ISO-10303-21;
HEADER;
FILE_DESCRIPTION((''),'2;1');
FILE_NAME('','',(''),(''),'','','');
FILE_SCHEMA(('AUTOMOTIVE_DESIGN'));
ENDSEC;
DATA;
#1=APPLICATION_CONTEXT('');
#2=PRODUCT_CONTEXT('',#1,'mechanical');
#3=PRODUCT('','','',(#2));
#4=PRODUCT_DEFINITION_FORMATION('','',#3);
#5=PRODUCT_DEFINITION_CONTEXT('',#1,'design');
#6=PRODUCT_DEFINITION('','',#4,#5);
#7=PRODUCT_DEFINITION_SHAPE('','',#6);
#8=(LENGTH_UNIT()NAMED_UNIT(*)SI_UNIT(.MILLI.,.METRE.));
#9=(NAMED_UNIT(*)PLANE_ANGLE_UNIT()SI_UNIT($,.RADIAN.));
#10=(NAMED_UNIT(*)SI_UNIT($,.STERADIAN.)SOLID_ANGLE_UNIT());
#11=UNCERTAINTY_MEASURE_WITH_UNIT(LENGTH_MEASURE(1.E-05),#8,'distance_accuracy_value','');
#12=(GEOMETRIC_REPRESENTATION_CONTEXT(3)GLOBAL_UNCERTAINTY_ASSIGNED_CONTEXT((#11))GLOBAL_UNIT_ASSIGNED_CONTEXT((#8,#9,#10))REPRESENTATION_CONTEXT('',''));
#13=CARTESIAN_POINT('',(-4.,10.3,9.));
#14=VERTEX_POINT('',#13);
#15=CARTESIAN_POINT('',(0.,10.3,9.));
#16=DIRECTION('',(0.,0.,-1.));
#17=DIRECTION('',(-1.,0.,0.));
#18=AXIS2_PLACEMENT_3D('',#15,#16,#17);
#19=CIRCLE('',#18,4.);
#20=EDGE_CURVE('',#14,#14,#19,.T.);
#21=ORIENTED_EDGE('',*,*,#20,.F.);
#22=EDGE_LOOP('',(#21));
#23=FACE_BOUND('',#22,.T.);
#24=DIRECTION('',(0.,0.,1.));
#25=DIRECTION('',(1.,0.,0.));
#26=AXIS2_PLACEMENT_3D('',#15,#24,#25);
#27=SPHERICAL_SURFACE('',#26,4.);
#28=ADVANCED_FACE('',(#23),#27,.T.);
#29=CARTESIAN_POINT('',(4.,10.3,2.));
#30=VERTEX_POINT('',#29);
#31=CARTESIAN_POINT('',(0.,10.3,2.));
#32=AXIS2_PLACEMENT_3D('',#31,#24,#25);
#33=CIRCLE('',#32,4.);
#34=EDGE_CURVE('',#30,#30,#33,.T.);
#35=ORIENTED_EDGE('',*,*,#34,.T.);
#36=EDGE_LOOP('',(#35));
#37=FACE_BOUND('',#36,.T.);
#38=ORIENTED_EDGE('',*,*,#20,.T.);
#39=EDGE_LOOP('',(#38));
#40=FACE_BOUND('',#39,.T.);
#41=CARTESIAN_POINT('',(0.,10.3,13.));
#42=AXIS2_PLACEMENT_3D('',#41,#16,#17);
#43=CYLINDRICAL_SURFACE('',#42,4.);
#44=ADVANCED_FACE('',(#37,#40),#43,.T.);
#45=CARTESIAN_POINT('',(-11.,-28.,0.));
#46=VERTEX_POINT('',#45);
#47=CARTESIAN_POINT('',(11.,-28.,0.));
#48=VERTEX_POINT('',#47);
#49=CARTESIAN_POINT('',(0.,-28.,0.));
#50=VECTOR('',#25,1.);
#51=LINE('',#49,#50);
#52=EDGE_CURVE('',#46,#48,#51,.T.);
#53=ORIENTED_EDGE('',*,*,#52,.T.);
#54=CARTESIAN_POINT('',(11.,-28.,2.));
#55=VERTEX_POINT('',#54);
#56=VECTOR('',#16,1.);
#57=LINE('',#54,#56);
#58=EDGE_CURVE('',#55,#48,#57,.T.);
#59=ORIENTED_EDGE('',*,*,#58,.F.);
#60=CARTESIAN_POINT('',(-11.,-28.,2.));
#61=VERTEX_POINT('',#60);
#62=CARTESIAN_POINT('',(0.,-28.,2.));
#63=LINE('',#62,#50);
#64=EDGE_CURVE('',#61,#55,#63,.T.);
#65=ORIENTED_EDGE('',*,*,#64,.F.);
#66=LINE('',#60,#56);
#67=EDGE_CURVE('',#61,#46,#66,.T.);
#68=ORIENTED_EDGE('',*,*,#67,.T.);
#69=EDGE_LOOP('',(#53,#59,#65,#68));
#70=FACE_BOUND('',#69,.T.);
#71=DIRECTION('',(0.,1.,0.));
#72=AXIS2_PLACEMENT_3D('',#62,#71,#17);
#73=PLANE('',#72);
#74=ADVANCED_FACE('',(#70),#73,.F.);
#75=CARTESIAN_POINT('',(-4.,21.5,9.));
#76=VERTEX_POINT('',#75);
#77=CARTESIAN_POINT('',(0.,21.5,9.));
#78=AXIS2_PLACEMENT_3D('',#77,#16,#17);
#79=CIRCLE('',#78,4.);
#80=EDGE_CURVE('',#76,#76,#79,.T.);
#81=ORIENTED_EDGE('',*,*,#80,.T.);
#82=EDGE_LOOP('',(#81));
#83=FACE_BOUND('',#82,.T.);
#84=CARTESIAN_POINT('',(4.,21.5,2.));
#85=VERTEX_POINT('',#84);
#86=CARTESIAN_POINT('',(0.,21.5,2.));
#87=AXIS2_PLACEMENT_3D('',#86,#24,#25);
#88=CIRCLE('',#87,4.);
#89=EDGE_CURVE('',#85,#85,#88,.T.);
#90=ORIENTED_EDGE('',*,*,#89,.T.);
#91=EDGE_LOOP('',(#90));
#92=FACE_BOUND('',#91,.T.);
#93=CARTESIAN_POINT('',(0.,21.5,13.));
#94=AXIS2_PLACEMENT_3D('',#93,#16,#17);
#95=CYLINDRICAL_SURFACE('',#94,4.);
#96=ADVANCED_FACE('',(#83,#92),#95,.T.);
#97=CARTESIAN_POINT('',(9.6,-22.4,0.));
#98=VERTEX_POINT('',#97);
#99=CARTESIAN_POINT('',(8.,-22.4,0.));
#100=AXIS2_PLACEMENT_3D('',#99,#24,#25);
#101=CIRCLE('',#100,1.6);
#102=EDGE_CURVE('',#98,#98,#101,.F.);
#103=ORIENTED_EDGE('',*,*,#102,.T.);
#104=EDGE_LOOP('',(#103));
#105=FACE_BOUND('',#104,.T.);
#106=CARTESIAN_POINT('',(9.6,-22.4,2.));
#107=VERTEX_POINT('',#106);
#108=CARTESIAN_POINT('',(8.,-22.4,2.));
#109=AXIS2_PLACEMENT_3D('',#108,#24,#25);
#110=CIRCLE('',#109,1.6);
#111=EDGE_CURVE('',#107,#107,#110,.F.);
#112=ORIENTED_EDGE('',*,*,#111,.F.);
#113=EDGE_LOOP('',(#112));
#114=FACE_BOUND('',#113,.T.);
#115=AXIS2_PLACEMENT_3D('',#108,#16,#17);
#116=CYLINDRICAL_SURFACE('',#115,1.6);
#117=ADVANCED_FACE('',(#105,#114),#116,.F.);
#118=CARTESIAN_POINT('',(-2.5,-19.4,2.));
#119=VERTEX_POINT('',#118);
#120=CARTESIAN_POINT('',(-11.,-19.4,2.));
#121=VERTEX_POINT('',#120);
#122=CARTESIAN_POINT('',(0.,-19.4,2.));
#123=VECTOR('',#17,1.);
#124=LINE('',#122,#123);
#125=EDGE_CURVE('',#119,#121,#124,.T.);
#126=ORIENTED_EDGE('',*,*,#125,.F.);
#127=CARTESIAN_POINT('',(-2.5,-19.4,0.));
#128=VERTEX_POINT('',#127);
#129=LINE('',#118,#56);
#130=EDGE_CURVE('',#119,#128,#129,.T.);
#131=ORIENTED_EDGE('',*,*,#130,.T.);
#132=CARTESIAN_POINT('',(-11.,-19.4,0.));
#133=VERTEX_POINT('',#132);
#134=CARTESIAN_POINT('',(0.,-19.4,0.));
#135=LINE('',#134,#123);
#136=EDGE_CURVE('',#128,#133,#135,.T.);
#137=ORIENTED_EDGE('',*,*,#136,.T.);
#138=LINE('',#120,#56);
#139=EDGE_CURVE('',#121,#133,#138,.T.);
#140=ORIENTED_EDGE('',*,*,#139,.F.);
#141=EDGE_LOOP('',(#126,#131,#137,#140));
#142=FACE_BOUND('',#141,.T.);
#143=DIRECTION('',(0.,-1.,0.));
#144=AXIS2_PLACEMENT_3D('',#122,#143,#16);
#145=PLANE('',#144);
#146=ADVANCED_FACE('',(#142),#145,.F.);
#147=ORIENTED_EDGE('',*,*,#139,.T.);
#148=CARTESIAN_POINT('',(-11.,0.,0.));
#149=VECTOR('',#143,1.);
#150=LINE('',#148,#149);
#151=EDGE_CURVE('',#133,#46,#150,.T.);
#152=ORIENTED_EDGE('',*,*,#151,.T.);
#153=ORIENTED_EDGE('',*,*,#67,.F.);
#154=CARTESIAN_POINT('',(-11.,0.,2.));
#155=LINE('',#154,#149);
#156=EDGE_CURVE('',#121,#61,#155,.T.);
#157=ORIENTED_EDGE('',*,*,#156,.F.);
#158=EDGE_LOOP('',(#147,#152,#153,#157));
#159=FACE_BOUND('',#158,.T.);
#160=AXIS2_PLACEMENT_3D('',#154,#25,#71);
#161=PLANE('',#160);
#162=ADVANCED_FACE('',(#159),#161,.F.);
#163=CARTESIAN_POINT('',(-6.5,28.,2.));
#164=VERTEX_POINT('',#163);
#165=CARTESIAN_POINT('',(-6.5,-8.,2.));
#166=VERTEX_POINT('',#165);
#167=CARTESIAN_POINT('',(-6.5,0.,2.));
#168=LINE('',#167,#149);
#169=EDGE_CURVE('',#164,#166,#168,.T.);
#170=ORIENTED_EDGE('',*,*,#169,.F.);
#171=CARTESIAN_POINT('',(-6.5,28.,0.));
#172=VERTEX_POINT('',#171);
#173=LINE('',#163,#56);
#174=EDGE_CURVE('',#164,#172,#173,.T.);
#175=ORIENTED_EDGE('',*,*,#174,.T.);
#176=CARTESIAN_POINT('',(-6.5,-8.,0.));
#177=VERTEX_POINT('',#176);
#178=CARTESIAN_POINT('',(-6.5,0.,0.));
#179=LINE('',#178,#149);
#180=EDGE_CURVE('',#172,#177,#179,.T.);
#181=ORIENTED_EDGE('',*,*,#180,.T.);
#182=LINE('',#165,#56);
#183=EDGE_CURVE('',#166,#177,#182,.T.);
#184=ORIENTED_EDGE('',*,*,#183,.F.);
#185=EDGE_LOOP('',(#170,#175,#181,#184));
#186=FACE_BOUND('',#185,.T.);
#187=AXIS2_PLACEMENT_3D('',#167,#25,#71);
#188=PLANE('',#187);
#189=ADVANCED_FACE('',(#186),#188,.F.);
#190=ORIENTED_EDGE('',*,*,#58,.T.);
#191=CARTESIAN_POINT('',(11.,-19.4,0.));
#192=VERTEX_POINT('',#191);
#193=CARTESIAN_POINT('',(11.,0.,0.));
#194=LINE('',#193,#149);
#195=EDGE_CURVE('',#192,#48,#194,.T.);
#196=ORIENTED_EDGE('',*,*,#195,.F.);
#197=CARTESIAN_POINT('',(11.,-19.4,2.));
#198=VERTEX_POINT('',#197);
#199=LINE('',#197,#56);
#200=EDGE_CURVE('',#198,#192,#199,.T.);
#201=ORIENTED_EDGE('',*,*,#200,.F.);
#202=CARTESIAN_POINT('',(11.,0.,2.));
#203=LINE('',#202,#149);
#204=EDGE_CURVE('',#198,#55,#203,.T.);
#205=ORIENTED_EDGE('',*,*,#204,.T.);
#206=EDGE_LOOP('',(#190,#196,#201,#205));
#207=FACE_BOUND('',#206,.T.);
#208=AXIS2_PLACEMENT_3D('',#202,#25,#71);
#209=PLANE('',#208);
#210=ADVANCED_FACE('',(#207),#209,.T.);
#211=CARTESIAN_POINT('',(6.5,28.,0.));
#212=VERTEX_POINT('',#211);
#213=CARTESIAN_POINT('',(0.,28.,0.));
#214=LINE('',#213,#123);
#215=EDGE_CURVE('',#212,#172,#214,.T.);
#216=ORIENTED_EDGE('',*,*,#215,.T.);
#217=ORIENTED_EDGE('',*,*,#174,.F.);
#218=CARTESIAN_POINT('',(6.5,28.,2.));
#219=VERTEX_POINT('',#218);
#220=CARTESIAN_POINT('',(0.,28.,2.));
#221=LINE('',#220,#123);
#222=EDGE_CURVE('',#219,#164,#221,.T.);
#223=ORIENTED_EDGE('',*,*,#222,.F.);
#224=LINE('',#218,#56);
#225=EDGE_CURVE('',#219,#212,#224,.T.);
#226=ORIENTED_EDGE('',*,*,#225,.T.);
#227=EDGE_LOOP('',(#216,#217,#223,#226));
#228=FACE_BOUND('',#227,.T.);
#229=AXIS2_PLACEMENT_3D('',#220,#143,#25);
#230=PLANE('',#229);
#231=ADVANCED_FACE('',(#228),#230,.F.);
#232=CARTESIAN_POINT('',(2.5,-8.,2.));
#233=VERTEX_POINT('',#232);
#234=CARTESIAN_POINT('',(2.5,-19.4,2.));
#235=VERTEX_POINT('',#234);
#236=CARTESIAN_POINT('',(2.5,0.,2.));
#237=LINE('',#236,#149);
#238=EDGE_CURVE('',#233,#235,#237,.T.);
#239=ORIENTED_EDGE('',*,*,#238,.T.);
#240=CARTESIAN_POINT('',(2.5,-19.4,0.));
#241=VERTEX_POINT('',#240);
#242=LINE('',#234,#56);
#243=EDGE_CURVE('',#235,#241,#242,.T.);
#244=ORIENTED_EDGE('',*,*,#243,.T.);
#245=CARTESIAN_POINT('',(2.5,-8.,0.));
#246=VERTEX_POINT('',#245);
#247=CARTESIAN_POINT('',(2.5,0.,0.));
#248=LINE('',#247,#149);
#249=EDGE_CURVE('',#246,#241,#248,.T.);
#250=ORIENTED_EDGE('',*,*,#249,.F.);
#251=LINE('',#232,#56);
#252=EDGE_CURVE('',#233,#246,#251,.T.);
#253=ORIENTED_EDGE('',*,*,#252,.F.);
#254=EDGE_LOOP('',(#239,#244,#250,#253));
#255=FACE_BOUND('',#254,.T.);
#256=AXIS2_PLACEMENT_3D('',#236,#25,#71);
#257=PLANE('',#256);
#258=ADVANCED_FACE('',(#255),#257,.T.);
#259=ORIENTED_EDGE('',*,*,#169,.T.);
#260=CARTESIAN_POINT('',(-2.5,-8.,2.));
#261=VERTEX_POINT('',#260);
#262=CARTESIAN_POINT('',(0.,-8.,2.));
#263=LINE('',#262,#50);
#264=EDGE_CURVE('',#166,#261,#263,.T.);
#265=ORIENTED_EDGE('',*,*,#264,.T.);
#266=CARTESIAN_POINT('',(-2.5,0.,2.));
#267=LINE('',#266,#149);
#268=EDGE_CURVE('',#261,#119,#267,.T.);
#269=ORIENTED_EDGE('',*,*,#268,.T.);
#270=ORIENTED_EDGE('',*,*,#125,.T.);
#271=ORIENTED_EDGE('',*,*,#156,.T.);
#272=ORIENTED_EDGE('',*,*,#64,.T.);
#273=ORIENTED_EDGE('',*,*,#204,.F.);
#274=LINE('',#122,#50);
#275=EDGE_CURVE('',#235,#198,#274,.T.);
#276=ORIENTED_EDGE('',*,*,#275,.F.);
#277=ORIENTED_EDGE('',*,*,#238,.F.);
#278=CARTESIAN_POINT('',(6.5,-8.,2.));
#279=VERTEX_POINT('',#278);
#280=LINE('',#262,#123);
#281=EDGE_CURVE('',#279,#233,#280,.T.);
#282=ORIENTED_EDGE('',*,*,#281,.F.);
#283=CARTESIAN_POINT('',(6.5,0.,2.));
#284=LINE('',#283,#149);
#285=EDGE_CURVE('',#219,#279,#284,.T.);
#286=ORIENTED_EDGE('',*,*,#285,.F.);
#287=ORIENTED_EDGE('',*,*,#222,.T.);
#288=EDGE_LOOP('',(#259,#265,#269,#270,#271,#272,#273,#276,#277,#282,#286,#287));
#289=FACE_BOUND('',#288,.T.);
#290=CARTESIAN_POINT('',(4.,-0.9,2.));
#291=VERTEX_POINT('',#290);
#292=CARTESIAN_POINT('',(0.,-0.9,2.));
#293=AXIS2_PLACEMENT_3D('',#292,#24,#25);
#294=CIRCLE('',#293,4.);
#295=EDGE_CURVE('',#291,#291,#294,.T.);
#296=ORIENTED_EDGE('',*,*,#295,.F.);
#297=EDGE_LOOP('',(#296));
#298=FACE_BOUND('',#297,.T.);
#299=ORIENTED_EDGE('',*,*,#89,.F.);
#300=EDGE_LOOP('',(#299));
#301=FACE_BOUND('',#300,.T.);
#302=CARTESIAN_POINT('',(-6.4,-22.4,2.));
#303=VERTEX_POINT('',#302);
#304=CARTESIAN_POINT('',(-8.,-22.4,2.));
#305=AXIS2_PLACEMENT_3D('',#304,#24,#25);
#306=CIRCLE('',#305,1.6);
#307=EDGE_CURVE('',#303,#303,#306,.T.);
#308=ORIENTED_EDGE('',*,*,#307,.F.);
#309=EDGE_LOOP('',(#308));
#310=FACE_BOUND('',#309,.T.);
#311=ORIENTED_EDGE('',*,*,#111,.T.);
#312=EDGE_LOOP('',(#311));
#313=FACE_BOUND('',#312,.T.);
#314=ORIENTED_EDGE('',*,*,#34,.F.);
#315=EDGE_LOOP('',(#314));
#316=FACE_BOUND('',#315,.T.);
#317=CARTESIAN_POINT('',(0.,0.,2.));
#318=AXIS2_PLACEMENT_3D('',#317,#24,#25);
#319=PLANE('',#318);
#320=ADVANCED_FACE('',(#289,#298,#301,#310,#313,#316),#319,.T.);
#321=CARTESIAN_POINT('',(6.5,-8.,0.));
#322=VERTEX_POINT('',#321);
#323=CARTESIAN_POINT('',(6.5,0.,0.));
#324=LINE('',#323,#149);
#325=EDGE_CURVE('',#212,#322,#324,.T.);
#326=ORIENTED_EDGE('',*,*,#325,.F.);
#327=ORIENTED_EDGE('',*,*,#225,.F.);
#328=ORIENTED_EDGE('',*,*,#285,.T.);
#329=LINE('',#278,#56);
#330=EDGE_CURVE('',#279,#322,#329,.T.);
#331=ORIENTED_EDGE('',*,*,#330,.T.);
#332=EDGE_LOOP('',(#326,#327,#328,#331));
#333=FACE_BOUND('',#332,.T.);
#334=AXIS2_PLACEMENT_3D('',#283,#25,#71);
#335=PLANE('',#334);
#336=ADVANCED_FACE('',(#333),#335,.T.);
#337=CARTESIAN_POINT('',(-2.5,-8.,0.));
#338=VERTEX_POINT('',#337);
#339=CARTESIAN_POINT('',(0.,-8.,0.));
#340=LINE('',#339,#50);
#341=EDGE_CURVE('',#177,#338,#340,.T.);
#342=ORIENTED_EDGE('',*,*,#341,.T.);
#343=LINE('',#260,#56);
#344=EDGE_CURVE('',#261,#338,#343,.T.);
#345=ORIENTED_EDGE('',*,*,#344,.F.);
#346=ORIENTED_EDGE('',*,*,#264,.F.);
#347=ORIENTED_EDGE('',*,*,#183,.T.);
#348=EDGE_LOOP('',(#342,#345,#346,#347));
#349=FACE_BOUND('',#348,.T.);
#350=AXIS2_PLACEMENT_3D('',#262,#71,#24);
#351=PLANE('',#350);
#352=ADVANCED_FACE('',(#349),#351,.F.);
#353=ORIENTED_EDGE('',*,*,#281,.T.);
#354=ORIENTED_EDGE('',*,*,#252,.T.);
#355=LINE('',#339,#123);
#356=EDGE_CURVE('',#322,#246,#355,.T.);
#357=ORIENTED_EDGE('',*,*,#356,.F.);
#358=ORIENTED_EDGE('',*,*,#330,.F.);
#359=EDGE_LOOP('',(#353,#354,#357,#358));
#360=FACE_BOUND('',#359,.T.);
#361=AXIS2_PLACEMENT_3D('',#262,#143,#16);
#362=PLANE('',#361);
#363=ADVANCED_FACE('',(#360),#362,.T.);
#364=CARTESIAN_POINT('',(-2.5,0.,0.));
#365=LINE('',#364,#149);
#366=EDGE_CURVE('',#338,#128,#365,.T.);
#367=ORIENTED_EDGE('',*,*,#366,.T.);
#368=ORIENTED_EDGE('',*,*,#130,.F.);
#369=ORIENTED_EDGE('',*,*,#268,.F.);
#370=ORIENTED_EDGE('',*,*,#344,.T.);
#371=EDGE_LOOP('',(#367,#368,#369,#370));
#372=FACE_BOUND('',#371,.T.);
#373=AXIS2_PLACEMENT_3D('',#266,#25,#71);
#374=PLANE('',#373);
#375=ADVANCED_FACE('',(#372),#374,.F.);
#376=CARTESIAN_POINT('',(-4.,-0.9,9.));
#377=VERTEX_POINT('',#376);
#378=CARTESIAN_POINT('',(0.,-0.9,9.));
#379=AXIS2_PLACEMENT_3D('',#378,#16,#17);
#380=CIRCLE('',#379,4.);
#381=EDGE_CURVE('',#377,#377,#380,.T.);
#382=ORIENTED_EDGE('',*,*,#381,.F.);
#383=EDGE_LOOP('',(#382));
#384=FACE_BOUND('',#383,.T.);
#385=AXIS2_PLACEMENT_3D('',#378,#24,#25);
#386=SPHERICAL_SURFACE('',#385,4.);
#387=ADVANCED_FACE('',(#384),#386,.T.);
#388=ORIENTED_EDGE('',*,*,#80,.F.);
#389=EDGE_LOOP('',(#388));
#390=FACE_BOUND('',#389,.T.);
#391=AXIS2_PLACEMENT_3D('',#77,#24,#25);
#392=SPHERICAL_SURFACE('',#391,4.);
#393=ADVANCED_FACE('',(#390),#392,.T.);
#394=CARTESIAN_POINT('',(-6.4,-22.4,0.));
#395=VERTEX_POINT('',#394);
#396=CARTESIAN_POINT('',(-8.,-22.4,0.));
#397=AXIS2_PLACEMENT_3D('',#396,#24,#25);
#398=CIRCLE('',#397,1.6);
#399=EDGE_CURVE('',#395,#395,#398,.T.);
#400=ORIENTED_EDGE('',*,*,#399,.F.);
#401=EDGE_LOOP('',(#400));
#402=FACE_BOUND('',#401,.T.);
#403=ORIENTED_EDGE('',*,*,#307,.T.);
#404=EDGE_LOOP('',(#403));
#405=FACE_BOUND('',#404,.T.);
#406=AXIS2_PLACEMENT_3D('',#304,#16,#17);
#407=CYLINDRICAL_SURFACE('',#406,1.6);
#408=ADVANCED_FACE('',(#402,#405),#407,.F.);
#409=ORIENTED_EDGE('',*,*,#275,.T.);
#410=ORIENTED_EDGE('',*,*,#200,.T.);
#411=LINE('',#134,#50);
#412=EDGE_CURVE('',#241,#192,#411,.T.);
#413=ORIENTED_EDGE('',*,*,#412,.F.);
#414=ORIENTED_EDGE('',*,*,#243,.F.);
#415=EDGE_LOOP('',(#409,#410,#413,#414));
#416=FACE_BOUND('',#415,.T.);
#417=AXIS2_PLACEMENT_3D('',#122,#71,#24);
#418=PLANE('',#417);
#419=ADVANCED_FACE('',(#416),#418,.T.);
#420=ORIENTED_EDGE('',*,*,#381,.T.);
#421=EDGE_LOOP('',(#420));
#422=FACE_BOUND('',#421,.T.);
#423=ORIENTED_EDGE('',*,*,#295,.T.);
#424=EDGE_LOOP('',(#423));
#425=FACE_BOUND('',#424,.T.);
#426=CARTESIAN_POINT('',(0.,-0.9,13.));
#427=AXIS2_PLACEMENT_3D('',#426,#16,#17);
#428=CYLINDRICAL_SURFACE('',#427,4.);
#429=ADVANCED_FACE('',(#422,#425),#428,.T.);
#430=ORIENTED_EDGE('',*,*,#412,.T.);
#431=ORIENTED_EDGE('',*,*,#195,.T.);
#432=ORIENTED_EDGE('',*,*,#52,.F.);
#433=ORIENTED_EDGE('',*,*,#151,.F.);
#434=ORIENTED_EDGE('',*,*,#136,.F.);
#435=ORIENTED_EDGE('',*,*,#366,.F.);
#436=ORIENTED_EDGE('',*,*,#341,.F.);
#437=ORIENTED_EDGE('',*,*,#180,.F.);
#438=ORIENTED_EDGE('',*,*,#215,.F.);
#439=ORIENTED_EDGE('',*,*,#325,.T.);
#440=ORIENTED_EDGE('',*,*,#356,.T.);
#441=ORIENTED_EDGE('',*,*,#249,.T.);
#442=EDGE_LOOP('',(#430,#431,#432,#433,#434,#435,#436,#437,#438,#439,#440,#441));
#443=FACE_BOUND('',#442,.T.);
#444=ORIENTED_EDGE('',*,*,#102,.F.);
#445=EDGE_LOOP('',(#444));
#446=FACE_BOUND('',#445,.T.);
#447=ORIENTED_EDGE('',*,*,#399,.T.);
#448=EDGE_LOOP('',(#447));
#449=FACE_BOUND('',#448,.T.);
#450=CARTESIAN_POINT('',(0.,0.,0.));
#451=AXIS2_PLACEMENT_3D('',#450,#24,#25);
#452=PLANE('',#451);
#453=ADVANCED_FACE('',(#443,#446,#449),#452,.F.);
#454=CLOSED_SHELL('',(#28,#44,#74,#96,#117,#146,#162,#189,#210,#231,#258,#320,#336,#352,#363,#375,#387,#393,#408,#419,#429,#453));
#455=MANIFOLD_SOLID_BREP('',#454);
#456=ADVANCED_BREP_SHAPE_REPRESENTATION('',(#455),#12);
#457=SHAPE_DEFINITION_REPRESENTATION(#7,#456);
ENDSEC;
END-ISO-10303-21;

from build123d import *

# Parameters (mm, degrees)
CROQUIS1_R              = 1.6
SALIENTE_EXTRUIR1_DEPTH = 2
CROQUIS2_R              = 4
SALIENTE_EXTRUIR2_DEPTH = 11
REDONDEO1_R             = 4
REDONDEO2_R             = 4


with BuildPart() as part:
    # Croquis1 → Saliente-Extruir1 (new body)
    with BuildSketch(Plane.XY):
        Polygon((-6.5, 28), (-6.5, -8), (-2.5, -8), (-2.5, -19.4), (-11, -19.4), (-11, -28), (11, -28), (11, -19.4), (2.5, -19.4), (2.5, -8), (6.5, -8), (6.5, 28), align=None)
        with Locations((-8, -22.4)):
            Circle(CROQUIS1_R, mode=Mode.SUBTRACT)
        with Locations((8, -22.4)):
            Circle(CROQUIS1_R, mode=Mode.SUBTRACT)
    extrude(amount=SALIENTE_EXTRUIR1_DEPTH)

    # Croquis2 → Saliente-Extruir2 (add)
    with BuildSketch(Plane.XY.offset(2)):
        with Locations((0, 21.5)):
            Circle(CROQUIS2_R)
        with Locations((0, 10.3)):
            Circle(CROQUIS2_R)
        with Locations((0, -0.9)):
            Circle(CROQUIS2_R)
    extrude(amount=SALIENTE_EXTRUIR2_DEPTH)

    # Redondeo1
    redondeo1_edges = [part.edges().sort_by_distance(p)[0] for p in [
        (-4, 21.5, 13),
    ]]
    fillet(redondeo1_edges, radius=REDONDEO1_R)

    # Redondeo2
    redondeo2_edges = [part.edges().sort_by_distance(p)[0] for p in [
        (-4, 10.3, 13),
        (-4, -0.9, 13),
    ]]
    fillet(redondeo2_edges, radius=REDONDEO2_R)


solid = part.part
